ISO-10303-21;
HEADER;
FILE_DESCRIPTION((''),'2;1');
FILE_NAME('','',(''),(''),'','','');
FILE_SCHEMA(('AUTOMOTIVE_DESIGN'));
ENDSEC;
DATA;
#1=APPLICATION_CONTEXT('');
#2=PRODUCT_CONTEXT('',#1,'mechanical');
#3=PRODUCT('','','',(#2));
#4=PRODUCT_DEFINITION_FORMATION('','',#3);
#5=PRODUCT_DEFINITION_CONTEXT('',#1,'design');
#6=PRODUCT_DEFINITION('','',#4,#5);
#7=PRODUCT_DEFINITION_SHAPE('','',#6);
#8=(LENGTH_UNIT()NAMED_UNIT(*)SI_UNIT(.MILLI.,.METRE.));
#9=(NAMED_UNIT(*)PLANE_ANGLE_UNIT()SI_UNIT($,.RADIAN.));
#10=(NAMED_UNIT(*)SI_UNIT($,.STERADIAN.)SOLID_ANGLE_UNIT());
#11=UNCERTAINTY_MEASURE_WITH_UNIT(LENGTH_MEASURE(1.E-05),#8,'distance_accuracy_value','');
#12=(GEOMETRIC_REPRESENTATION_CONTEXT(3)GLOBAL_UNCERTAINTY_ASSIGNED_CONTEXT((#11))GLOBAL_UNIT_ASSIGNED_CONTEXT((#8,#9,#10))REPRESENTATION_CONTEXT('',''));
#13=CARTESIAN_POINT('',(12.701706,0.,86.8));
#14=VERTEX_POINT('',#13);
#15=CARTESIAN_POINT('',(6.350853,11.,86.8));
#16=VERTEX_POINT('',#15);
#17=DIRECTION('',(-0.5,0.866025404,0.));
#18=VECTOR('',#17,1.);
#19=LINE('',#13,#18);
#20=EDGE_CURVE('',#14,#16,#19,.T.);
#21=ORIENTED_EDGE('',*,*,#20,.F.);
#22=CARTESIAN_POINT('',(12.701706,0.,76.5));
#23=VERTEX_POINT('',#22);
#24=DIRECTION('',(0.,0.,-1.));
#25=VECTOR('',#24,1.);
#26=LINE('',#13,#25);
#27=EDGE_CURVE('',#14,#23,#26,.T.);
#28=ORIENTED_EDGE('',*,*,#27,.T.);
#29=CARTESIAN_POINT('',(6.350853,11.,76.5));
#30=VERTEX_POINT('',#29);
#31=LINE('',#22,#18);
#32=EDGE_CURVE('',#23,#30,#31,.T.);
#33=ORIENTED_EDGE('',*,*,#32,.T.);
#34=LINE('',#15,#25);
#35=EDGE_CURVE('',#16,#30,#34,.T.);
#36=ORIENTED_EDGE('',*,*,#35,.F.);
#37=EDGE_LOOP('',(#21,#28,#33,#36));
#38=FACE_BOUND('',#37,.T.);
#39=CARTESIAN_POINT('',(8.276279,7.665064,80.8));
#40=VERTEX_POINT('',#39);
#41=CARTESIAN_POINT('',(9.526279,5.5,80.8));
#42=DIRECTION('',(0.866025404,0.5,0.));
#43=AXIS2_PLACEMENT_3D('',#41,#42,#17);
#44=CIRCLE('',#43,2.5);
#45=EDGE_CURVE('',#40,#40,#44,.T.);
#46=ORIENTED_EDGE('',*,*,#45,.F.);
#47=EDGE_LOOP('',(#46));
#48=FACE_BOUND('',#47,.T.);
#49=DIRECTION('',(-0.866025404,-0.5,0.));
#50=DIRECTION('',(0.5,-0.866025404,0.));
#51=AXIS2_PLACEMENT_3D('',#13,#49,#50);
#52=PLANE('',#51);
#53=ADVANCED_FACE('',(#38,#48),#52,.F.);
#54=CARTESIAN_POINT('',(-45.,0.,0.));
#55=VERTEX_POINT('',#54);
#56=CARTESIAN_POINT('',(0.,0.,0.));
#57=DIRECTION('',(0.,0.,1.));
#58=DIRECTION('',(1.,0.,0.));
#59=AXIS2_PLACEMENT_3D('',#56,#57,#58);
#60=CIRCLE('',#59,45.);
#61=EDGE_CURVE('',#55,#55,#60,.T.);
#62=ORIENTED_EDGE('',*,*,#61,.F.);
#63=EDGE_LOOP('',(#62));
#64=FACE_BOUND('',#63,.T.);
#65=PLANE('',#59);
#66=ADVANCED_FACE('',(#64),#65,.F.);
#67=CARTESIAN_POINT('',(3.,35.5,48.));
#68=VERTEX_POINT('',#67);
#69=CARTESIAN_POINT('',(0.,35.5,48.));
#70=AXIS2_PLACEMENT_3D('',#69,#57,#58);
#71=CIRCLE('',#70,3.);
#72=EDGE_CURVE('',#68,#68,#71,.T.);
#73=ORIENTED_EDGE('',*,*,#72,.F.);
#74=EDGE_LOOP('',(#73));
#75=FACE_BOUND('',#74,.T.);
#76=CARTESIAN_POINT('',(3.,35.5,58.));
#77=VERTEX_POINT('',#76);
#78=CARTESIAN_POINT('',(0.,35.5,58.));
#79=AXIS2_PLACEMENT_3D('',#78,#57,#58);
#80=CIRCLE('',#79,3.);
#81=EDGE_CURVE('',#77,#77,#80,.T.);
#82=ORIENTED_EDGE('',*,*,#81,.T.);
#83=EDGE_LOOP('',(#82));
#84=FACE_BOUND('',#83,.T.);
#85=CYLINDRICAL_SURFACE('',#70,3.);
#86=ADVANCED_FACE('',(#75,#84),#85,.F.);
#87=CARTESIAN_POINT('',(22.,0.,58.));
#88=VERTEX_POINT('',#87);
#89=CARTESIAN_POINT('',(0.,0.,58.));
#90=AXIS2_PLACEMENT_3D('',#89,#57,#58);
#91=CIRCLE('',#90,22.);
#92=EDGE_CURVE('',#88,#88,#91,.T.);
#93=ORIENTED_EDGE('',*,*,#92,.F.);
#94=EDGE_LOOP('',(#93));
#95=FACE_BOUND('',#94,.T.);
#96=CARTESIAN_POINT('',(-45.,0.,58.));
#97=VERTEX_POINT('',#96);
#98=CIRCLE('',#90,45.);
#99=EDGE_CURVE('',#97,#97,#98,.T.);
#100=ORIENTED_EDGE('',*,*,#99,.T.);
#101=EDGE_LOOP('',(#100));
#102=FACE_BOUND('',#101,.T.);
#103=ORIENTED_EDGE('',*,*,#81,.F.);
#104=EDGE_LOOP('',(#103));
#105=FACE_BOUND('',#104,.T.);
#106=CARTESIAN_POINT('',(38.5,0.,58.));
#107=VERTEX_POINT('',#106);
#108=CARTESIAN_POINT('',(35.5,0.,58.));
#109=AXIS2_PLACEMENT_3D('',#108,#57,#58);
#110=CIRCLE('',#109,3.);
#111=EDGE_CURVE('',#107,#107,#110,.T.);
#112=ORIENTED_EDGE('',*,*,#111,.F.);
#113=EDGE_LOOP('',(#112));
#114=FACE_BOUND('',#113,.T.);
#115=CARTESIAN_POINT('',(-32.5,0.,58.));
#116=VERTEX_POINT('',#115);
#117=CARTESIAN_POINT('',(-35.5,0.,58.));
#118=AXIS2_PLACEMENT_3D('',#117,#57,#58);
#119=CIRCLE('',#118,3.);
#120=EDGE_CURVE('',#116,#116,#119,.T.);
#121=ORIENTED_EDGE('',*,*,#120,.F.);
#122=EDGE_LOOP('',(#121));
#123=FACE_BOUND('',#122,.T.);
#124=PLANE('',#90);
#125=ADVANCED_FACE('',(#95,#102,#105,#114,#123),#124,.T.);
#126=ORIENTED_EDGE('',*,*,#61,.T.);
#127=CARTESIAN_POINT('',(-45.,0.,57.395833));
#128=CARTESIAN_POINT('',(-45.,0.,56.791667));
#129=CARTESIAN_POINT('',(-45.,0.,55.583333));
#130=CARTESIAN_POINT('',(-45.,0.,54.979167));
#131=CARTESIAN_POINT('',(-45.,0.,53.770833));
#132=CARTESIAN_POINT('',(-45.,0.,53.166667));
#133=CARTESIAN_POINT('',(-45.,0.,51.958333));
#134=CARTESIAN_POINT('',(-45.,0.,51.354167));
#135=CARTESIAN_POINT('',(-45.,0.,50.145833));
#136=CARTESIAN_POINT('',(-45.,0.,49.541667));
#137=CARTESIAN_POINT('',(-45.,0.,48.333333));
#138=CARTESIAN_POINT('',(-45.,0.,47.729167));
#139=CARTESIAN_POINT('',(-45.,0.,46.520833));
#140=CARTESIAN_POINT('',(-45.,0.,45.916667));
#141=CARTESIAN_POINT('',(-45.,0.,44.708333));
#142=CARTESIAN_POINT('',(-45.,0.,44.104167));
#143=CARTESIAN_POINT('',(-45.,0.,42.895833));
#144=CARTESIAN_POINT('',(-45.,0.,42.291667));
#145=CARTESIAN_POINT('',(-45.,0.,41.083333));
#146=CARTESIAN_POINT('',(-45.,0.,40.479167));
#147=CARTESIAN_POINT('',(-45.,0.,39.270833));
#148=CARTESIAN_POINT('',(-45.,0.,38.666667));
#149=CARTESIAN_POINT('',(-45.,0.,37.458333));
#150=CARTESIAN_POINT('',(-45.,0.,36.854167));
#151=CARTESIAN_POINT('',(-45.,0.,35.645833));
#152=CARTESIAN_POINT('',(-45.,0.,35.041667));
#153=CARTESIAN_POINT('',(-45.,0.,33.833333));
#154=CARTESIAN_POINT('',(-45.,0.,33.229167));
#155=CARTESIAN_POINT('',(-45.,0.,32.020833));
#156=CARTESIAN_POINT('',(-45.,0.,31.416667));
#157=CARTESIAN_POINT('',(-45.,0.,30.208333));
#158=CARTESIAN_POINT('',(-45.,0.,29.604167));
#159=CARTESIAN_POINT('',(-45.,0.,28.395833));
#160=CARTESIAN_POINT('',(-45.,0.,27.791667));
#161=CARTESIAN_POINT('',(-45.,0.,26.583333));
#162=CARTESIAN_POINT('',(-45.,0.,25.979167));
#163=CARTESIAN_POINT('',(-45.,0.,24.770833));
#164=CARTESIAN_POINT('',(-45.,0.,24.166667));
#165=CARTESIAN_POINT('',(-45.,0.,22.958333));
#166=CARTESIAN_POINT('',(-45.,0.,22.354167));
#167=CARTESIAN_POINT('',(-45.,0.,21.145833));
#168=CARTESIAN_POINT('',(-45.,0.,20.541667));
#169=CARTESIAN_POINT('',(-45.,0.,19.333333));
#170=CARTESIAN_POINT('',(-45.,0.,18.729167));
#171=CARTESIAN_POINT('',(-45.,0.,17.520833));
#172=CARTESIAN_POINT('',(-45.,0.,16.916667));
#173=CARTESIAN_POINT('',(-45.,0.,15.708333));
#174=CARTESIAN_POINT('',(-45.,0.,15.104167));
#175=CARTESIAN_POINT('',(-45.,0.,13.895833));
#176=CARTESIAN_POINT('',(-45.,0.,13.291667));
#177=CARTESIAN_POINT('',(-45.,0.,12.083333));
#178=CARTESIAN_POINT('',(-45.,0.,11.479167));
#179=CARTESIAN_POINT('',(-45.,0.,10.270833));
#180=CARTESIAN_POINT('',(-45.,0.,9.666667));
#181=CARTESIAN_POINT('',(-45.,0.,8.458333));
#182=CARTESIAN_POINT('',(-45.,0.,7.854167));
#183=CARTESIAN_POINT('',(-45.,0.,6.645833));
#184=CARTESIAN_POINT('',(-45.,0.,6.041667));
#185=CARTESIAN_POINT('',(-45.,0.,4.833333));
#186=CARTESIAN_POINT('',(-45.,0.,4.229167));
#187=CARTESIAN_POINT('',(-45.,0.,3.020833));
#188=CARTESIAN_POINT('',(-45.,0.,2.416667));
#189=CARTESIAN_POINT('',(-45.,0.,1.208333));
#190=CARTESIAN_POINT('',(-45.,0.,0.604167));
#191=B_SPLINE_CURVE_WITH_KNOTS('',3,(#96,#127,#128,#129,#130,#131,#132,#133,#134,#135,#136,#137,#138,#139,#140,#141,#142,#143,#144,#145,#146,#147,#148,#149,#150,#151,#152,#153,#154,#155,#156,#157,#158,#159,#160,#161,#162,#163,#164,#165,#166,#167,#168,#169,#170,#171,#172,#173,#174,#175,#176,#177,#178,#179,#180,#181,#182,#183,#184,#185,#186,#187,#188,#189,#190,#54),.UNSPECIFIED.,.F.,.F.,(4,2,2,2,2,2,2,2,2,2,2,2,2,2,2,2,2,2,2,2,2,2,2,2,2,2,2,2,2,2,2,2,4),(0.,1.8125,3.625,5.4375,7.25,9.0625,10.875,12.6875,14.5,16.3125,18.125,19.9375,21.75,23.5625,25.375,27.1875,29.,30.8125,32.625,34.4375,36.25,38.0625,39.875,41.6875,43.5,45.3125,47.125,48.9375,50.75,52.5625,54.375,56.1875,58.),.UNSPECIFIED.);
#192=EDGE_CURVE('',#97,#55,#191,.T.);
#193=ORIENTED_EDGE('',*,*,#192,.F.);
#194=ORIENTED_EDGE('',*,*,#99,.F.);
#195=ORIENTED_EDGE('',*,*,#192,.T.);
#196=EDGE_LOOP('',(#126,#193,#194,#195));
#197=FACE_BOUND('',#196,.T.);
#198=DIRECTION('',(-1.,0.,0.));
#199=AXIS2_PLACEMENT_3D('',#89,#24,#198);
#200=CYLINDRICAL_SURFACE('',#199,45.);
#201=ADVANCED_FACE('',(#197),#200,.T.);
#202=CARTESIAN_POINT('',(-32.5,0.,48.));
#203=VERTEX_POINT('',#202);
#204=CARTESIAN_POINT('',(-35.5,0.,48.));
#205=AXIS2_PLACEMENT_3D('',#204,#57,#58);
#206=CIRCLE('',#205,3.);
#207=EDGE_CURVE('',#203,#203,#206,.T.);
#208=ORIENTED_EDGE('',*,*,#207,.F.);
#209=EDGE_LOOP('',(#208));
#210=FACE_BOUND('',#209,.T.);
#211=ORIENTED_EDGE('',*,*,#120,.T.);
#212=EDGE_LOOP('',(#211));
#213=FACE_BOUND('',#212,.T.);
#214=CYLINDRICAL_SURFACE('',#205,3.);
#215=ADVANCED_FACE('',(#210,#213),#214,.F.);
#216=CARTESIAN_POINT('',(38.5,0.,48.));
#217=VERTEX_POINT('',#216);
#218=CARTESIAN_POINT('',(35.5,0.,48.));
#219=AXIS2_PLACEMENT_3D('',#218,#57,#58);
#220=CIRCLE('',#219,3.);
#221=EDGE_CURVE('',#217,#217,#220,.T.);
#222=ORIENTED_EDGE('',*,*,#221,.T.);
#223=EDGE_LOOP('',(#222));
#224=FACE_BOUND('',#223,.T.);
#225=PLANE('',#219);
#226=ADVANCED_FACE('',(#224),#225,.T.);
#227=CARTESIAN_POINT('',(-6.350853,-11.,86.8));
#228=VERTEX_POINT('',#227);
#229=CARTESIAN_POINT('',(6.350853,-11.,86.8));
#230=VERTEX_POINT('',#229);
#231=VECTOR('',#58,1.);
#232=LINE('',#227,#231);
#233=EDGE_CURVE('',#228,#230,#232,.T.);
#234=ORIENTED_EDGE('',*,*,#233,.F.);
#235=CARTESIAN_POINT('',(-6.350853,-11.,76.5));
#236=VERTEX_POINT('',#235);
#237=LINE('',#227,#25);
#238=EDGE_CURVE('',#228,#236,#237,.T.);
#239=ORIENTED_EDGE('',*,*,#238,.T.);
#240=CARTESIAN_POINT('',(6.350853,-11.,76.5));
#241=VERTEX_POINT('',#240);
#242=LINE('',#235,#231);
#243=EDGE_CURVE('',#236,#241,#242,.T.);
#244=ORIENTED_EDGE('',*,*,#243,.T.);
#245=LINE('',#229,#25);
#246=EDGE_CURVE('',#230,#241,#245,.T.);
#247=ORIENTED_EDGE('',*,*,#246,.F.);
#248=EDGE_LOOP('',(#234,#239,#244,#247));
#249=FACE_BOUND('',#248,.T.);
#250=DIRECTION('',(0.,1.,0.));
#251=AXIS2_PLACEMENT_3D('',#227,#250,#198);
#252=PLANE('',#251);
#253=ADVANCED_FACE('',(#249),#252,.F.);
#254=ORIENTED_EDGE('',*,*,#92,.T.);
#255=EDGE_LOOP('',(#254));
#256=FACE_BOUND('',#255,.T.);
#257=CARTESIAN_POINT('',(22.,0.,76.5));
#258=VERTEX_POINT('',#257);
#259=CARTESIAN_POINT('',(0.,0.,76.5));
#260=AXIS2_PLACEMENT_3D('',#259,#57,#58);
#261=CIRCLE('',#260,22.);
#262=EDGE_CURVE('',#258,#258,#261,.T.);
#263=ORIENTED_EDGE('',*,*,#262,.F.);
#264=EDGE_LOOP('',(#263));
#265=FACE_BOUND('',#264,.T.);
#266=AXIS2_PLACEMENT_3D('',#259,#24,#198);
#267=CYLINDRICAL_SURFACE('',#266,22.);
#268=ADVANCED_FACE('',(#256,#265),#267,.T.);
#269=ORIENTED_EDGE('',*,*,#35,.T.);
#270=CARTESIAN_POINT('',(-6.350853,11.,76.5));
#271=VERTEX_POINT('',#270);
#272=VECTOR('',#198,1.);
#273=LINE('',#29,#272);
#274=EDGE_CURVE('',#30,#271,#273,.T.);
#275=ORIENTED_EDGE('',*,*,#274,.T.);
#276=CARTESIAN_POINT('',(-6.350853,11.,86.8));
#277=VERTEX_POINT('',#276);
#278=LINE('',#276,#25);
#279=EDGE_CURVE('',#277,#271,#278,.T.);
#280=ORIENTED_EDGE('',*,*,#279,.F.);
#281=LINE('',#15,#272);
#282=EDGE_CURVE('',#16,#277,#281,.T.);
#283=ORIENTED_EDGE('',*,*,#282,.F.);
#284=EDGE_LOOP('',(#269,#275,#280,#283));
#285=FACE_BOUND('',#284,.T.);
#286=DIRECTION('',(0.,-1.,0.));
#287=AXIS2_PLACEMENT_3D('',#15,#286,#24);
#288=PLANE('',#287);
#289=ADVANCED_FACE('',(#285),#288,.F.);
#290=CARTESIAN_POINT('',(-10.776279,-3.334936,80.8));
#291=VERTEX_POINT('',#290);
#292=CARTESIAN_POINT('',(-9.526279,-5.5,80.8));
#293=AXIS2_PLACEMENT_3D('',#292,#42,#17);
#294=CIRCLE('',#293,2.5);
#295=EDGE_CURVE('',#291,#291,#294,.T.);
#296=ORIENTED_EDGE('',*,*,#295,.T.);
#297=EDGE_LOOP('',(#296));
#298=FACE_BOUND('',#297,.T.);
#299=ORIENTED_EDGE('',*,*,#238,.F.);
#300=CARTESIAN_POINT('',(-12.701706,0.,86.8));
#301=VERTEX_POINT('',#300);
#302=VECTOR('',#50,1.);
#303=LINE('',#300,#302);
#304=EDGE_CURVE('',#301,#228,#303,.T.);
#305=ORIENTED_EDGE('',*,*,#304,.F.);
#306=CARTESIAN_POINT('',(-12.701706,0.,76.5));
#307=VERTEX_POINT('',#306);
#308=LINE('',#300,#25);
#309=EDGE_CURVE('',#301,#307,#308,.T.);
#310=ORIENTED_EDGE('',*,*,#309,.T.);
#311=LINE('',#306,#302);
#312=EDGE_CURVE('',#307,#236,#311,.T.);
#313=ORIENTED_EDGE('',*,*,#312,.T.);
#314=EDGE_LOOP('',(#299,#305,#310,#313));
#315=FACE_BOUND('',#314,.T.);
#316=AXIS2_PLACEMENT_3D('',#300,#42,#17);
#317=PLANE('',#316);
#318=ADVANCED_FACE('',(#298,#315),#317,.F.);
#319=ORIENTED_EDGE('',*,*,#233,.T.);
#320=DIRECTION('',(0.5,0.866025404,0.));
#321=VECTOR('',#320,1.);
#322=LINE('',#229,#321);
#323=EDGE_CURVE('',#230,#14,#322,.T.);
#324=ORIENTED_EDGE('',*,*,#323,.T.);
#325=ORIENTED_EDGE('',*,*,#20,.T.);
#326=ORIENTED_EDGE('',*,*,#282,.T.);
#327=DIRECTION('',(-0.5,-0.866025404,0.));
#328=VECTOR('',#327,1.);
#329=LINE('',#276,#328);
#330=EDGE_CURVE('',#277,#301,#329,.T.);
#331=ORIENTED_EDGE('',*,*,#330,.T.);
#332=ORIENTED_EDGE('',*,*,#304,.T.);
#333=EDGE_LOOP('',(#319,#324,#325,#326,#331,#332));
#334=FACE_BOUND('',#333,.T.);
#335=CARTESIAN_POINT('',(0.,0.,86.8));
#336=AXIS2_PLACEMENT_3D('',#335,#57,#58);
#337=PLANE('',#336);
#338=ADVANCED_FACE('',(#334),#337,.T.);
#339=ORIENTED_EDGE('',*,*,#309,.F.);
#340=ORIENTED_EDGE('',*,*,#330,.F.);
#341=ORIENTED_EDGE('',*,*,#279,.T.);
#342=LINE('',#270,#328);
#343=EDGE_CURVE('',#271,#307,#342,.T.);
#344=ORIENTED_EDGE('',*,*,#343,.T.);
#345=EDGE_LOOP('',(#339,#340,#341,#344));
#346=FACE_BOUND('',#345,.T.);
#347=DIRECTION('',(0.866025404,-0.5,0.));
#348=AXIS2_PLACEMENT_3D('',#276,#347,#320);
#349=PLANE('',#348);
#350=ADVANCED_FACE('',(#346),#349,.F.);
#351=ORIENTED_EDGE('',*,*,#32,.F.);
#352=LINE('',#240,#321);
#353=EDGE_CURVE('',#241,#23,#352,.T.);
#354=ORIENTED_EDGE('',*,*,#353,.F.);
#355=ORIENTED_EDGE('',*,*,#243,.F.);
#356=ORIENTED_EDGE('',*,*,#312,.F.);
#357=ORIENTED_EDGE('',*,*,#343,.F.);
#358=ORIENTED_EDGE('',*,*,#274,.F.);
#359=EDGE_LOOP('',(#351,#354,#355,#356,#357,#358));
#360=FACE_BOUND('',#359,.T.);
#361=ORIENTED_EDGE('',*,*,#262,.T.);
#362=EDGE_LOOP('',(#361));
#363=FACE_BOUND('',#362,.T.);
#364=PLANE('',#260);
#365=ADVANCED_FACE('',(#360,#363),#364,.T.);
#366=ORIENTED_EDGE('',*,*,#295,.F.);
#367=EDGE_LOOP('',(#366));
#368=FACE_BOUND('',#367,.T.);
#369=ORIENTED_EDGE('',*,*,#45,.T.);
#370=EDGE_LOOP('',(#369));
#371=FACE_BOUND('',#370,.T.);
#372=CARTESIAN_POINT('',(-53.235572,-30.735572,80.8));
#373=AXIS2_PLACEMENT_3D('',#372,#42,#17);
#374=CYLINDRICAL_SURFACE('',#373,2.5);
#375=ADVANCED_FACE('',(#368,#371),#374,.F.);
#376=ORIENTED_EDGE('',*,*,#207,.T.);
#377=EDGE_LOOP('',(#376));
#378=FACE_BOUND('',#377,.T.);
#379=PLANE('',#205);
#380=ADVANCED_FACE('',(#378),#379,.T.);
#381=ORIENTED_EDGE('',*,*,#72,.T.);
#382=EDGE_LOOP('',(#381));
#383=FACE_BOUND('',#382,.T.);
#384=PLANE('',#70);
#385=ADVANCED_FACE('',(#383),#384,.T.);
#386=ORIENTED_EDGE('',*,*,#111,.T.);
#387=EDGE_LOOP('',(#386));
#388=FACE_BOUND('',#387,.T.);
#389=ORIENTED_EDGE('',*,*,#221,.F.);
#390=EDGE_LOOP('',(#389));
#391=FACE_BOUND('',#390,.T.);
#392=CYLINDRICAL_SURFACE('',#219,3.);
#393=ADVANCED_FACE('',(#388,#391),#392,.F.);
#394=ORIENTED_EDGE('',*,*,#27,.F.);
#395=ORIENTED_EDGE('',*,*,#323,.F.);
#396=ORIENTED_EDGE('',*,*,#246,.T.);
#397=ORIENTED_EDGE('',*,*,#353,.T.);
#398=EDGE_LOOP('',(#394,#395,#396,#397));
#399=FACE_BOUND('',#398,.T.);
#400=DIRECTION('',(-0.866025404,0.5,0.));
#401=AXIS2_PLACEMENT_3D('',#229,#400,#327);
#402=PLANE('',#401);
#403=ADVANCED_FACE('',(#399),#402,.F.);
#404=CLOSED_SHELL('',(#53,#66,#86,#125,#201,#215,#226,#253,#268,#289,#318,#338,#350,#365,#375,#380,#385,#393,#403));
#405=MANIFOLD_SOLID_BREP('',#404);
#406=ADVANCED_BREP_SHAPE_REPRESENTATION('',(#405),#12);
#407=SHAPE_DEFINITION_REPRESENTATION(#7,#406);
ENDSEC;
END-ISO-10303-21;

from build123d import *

# Parameters (mm, degrees)
CROQUIS1_R              = 45
SALIENTE_EXTRUIR1_DEPTH = 58
CROQUIS2_R              = 22
SALIENTE_EXTRUIR2_DEPTH = 18.5
SALIENTE_EXTRUIR3_DEPTH = 10.3
CROQUIS4_R              = 2.5
CORTAR_EXTRUIR1_DEPTH   = 115.269878576
CROQUIS5_R              = 3
CORTAR_EXTRUIR2_DEPTH   = 10


with BuildPart() as part:
    # Croquis1 → Saliente-Extruir1 (new body)
    with BuildSketch(Plane.XY):
        with Locations(Location((0, 0, 0), (0, 0, 180))):
            Circle(CROQUIS1_R)
    extrude(amount=SALIENTE_EXTRUIR1_DEPTH)

    # Croquis2 → Saliente-Extruir2 (add)
    with BuildSketch(Plane.XY.offset(58)):
        Circle(CROQUIS2_R)
    extrude(amount=SALIENTE_EXTRUIR2_DEPTH)

    # Croquis3 → Saliente-Extruir3 (add)
    with BuildSketch(Plane.XY.offset(76.5)):
        Polygon((12.701705922, 0), (6.350852961, 11), (-6.350852961, 11), (-12.701705922, 0), (-6.350852961, -11), (6.350852961, -11), align=None)
    extrude(amount=SALIENTE_EXTRUIR3_DEPTH)

    # Croquis4 → Cortar-Extruir1 (cut, through all)
    with BuildSketch(Plane(origin=(9.526279442, 5.5, 0), x_dir=(0, 0, -1), z_dir=(0.8660254037844384, 0.5000000000000003, 0))):
        with Locations(Location((-80.8, 0, 0), (0, 0, 90))):
            Circle(CROQUIS4_R)
    extrude(amount=-CORTAR_EXTRUIR1_DEPTH, mode=Mode.SUBTRACT)

    # Croquis5 → Cortar-Extruir2 (cut)
    with BuildSketch(Plane.XY.offset(58)):
        with Locations((-35.5, 0)):
            Circle(CROQUIS5_R)
        with Locations((35.5, 0)):
            Circle(CROQUIS5_R)
        with Locations((0, 35.5)):
            Circle(CROQUIS5_R)
    extrude(amount=-CORTAR_EXTRUIR2_DEPTH, mode=Mode.SUBTRACT)


solid = part.part
